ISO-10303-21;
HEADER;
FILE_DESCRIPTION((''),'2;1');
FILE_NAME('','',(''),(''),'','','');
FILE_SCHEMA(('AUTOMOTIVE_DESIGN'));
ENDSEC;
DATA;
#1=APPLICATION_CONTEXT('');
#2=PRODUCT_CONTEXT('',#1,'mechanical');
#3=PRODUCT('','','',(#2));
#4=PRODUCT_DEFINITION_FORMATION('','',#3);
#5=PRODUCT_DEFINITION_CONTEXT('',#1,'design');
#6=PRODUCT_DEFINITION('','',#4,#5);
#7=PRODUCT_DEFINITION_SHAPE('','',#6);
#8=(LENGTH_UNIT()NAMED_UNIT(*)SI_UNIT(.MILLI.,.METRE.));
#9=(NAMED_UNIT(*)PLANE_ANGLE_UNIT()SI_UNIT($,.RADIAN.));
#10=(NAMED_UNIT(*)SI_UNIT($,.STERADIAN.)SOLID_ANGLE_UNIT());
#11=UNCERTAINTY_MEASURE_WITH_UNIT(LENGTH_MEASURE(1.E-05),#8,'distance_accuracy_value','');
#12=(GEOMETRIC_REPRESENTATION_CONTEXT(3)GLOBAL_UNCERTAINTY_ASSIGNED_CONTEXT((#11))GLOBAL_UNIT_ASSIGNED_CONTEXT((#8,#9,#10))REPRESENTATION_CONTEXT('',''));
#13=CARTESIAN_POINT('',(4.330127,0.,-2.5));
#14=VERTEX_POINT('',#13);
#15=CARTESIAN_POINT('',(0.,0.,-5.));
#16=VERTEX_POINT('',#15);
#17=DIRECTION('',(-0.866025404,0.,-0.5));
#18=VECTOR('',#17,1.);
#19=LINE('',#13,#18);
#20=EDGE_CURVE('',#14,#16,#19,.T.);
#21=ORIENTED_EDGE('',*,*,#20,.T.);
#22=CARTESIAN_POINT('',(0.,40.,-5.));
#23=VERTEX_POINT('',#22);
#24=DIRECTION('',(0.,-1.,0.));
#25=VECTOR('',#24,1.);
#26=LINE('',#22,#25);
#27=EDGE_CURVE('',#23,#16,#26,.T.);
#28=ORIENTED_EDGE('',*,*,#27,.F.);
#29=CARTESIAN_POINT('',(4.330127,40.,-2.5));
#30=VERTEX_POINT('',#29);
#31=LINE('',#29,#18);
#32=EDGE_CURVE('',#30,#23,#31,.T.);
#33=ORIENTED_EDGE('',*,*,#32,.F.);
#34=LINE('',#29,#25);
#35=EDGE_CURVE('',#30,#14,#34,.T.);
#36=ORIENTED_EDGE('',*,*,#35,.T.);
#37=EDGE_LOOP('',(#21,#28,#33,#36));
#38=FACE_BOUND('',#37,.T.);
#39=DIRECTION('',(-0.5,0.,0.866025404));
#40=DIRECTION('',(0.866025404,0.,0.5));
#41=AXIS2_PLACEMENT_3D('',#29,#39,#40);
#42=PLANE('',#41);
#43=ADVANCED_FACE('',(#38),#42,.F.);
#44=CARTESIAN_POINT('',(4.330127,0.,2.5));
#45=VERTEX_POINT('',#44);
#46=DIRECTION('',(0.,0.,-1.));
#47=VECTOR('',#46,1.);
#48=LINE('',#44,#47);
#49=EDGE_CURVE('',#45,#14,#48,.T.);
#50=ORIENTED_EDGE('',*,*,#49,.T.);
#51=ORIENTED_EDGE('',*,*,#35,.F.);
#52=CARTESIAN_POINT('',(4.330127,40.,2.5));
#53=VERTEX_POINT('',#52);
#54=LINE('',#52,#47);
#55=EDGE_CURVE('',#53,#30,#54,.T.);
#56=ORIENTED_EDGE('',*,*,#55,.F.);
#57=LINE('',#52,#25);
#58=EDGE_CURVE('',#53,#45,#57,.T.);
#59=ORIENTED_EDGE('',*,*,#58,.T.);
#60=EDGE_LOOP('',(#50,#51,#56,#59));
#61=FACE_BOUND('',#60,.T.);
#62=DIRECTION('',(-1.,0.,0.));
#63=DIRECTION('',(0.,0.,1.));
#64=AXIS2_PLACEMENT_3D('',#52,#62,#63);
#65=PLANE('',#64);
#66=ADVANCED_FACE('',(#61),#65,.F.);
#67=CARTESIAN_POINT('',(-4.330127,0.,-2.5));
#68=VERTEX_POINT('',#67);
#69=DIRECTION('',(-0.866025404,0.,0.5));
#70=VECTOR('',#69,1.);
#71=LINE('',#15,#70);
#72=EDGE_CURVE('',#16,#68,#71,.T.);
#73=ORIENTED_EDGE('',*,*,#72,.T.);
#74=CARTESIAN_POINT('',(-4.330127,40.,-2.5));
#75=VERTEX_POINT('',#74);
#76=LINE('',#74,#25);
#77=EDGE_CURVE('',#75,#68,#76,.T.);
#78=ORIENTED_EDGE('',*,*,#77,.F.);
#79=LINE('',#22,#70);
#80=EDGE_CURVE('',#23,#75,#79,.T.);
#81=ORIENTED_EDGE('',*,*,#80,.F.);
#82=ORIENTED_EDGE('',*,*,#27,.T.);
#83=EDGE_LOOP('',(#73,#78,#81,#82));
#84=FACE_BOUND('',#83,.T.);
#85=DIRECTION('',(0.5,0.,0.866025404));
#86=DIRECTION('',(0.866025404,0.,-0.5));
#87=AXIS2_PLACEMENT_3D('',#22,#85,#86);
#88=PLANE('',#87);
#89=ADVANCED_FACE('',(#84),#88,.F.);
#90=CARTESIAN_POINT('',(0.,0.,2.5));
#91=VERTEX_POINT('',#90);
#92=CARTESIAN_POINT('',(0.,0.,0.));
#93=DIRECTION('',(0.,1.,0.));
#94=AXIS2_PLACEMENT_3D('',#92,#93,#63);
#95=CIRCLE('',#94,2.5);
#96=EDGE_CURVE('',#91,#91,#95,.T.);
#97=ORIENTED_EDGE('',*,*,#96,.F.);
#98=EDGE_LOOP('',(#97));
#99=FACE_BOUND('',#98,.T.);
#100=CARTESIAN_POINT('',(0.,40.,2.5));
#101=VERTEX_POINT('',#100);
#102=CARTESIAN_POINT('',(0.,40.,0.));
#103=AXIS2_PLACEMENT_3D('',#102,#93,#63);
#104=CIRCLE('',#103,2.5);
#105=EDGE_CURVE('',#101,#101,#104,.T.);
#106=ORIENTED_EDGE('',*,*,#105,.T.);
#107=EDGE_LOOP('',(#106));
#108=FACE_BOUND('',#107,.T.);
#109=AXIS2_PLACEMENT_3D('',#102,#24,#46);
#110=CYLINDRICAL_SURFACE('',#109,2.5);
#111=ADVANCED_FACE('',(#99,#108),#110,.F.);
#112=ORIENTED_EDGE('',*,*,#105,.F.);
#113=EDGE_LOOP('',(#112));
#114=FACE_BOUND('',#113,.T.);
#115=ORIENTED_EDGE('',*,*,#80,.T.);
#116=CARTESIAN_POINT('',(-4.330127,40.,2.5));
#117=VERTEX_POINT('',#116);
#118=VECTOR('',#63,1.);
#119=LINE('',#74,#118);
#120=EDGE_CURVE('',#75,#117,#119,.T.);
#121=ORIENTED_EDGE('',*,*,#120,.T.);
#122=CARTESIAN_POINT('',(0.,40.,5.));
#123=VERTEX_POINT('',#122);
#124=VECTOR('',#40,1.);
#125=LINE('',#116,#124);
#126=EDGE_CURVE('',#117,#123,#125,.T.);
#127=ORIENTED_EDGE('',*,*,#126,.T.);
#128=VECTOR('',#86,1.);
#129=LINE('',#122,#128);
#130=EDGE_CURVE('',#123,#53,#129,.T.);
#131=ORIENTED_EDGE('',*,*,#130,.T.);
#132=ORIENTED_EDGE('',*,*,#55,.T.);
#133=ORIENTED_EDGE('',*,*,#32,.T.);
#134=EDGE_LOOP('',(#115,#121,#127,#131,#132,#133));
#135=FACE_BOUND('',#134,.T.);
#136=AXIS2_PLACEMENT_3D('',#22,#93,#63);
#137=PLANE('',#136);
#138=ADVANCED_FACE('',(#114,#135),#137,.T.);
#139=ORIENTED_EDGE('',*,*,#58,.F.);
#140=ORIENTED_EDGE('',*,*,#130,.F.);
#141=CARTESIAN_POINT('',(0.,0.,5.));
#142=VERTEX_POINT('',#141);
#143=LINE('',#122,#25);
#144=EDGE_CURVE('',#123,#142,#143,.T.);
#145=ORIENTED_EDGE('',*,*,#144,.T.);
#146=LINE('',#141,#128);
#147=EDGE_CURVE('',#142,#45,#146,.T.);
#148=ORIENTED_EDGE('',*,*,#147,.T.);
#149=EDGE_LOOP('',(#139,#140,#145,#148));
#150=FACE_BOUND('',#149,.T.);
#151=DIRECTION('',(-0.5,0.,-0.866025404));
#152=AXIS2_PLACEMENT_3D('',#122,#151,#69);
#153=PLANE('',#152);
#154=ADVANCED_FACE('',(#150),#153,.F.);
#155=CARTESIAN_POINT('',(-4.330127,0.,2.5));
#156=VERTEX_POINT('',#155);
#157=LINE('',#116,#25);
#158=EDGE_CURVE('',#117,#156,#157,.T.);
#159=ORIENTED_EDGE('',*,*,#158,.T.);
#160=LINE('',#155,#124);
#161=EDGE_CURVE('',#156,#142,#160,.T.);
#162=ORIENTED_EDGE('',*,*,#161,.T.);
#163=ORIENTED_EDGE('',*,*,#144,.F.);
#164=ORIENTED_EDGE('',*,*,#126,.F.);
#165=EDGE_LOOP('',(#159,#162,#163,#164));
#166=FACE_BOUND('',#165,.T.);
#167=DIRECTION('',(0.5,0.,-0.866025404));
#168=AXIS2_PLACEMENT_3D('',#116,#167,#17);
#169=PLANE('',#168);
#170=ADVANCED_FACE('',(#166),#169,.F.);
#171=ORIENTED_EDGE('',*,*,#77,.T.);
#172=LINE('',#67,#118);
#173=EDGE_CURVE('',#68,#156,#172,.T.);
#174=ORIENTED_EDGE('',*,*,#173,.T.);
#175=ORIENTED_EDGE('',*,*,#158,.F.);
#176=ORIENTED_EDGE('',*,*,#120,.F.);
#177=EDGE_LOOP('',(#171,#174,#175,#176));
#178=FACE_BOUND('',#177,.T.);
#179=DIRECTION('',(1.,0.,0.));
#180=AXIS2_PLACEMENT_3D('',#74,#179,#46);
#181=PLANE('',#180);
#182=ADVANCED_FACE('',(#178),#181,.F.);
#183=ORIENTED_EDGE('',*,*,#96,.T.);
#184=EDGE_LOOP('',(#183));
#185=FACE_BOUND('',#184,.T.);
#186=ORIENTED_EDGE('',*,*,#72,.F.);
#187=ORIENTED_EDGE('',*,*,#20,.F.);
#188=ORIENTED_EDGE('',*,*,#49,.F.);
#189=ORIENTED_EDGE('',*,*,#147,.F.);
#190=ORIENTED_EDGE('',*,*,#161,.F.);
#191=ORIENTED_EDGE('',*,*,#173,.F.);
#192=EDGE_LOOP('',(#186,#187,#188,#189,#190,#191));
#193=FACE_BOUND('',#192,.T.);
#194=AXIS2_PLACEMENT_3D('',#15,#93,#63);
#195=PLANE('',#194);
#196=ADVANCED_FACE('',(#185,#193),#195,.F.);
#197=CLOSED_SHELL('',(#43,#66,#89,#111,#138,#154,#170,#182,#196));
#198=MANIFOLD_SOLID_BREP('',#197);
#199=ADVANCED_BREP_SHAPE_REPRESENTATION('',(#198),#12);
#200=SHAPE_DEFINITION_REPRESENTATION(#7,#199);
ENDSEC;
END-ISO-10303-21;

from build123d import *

# Parameters (mm, degrees)
ESQUISSE1_R      = 2.5
EXTRUSION1_DEPTH = 40


with BuildPart() as part:
    # Esquisse1 → Extrusion1 (new body)
    with BuildSketch(Plane(origin=(0, 0, 0), x_dir=(1, 0, 0), z_dir=(0, 1, 0))):
        Polygon((0, 5), (-4.330127019, 2.5), (-4.330127019, -2.5), (0, -5), (4.330127019, -2.5), (4.330127019, 2.5), align=None)
        Circle(ESQUISSE1_R, mode=Mode.SUBTRACT)
    extrude(amount=EXTRUSION1_DEPTH)


solid = part.part
